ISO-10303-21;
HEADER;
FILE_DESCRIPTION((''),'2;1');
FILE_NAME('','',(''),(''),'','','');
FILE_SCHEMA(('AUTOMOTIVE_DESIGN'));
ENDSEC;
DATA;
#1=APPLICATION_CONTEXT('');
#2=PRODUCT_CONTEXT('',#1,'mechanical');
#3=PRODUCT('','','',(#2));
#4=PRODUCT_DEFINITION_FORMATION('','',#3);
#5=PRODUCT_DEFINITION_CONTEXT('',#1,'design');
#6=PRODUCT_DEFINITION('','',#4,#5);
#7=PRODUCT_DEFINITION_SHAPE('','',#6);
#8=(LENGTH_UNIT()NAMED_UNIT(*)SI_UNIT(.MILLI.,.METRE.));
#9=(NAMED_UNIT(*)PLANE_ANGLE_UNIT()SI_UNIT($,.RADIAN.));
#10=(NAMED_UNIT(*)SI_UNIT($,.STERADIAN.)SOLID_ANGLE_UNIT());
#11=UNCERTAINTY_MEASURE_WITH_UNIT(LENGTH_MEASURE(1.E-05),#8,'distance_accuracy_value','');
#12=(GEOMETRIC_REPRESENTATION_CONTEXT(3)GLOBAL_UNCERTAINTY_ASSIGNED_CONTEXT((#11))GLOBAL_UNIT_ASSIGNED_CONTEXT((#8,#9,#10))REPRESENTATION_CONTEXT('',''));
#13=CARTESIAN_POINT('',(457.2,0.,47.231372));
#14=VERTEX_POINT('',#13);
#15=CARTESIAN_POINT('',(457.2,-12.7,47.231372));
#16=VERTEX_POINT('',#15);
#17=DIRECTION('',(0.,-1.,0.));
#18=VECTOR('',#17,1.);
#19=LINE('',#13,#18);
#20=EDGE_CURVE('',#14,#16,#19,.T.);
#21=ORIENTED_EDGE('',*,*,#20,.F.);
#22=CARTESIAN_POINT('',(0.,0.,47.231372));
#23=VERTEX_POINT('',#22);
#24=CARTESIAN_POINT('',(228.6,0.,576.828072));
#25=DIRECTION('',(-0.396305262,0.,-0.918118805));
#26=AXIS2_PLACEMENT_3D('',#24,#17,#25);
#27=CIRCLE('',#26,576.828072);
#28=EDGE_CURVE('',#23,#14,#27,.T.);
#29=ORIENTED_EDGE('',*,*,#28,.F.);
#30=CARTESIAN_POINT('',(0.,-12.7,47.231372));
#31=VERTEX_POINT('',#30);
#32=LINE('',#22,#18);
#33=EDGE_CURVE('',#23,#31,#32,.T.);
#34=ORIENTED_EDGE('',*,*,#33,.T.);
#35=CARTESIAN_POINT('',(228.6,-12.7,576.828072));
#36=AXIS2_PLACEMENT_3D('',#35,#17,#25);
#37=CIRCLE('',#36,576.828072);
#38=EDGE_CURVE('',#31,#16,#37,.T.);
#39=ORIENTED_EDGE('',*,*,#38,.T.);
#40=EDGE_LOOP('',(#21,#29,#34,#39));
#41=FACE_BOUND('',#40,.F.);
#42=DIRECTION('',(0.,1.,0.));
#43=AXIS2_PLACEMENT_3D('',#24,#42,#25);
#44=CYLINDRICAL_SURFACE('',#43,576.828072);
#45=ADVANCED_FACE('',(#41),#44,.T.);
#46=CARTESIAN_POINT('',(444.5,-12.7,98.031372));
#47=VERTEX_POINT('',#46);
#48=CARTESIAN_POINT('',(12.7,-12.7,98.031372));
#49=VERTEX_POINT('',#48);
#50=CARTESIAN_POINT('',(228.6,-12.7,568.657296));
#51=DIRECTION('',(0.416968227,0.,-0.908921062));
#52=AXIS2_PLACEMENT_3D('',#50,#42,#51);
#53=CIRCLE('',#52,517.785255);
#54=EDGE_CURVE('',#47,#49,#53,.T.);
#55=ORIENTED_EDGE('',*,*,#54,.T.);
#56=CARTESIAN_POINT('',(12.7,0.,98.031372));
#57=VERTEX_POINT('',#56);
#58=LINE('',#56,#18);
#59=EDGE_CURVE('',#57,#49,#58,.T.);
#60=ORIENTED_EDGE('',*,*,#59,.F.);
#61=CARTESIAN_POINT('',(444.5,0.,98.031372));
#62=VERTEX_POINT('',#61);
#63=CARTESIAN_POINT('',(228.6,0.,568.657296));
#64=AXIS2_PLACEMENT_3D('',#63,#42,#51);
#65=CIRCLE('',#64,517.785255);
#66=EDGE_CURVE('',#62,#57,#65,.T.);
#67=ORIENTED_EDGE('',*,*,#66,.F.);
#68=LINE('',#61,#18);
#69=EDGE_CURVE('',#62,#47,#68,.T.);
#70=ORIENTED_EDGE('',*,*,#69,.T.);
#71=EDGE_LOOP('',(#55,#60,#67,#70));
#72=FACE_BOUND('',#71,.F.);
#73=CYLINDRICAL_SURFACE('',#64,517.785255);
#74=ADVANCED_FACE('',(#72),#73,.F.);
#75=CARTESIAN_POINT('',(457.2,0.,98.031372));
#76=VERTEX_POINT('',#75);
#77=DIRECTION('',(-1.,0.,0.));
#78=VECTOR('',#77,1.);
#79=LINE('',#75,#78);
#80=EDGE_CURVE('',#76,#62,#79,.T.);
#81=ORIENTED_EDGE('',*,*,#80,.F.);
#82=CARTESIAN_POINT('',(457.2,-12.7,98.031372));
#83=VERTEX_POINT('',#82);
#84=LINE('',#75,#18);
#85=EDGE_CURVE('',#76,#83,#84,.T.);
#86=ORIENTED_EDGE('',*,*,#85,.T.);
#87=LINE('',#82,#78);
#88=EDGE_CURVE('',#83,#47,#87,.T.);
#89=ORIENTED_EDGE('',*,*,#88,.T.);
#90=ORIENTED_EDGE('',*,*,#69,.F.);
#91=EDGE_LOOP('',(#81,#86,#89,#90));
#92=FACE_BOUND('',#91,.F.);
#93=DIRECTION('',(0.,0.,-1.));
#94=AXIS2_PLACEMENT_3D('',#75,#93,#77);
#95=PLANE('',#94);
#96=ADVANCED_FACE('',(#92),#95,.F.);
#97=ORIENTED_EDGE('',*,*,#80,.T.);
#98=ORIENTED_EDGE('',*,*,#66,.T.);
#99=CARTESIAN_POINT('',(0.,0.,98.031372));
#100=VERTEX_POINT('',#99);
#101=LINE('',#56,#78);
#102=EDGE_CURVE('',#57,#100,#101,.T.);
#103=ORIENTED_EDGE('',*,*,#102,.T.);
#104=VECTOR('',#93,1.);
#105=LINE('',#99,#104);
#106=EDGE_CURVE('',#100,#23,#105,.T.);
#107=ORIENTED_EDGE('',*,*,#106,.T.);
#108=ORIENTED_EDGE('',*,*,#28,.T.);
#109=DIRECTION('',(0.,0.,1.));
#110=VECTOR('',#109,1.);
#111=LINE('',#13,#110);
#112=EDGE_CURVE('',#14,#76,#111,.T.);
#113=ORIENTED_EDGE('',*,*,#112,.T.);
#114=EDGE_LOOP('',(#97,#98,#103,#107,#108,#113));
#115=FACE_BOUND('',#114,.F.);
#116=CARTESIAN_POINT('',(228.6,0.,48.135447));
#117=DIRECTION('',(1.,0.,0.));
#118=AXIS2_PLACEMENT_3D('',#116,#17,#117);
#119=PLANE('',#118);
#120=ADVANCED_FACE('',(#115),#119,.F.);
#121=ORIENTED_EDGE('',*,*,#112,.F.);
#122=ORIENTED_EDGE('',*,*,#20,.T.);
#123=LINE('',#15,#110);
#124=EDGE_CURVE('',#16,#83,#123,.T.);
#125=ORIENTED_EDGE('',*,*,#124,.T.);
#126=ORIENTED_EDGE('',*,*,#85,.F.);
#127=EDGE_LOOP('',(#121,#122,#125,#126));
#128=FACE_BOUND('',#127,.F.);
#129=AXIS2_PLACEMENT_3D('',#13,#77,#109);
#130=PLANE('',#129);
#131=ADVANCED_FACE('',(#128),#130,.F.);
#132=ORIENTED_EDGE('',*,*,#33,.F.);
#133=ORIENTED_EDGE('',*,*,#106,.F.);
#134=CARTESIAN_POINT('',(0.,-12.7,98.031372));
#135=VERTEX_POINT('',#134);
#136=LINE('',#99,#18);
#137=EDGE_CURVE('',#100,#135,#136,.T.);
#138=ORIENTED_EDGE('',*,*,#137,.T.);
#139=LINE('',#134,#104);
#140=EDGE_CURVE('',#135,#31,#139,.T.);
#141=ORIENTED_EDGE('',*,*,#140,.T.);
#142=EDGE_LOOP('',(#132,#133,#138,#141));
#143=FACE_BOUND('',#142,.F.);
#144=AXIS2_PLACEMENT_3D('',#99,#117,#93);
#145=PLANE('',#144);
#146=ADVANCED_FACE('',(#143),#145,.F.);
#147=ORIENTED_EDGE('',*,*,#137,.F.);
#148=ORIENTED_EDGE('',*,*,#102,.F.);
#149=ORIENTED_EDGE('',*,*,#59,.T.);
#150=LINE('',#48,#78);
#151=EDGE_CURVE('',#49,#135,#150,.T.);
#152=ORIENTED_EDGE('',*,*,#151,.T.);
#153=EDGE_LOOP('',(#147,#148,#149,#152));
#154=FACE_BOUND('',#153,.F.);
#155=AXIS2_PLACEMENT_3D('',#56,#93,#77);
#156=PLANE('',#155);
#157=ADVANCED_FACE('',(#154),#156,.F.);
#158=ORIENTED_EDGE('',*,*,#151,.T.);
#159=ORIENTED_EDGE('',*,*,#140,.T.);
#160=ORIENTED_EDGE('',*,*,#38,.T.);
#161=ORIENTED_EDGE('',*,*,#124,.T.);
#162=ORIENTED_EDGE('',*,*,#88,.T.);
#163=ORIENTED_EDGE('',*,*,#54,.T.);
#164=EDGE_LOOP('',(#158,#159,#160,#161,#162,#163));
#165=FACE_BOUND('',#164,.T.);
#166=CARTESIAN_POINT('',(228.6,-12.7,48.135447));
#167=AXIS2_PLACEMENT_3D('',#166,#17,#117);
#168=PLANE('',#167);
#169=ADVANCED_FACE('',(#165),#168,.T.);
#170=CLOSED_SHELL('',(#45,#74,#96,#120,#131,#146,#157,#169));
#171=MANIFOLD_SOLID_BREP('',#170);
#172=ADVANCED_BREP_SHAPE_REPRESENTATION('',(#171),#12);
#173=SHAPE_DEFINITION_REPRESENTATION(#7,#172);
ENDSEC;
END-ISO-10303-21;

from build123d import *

# Parameters (mm, degrees)
F1_DEPTH = 12.7


with BuildPart() as f1:
    # F0 (on Front) → F1 (new body)
    with BuildSketch(Plane.XZ):
        with BuildLine():
            Line((12.7, 98.031372), (0, 98.031372))
            Line((0, 98.031372), (0, 47.231372))
            ThreePointArc((0, 47.231372), (228.6, 0), (457.2, 47.231372))
            Line((457.2, 47.231372), (457.2, 98.031372))
            Line((457.2, 98.031372), (444.5, 98.031372))
            ThreePointArc((444.5, 98.031372), (228.6, 50.872041), (12.7, 98.031372))
        make_face()
    extrude(amount=F1_DEPTH)


solid = f1.part
